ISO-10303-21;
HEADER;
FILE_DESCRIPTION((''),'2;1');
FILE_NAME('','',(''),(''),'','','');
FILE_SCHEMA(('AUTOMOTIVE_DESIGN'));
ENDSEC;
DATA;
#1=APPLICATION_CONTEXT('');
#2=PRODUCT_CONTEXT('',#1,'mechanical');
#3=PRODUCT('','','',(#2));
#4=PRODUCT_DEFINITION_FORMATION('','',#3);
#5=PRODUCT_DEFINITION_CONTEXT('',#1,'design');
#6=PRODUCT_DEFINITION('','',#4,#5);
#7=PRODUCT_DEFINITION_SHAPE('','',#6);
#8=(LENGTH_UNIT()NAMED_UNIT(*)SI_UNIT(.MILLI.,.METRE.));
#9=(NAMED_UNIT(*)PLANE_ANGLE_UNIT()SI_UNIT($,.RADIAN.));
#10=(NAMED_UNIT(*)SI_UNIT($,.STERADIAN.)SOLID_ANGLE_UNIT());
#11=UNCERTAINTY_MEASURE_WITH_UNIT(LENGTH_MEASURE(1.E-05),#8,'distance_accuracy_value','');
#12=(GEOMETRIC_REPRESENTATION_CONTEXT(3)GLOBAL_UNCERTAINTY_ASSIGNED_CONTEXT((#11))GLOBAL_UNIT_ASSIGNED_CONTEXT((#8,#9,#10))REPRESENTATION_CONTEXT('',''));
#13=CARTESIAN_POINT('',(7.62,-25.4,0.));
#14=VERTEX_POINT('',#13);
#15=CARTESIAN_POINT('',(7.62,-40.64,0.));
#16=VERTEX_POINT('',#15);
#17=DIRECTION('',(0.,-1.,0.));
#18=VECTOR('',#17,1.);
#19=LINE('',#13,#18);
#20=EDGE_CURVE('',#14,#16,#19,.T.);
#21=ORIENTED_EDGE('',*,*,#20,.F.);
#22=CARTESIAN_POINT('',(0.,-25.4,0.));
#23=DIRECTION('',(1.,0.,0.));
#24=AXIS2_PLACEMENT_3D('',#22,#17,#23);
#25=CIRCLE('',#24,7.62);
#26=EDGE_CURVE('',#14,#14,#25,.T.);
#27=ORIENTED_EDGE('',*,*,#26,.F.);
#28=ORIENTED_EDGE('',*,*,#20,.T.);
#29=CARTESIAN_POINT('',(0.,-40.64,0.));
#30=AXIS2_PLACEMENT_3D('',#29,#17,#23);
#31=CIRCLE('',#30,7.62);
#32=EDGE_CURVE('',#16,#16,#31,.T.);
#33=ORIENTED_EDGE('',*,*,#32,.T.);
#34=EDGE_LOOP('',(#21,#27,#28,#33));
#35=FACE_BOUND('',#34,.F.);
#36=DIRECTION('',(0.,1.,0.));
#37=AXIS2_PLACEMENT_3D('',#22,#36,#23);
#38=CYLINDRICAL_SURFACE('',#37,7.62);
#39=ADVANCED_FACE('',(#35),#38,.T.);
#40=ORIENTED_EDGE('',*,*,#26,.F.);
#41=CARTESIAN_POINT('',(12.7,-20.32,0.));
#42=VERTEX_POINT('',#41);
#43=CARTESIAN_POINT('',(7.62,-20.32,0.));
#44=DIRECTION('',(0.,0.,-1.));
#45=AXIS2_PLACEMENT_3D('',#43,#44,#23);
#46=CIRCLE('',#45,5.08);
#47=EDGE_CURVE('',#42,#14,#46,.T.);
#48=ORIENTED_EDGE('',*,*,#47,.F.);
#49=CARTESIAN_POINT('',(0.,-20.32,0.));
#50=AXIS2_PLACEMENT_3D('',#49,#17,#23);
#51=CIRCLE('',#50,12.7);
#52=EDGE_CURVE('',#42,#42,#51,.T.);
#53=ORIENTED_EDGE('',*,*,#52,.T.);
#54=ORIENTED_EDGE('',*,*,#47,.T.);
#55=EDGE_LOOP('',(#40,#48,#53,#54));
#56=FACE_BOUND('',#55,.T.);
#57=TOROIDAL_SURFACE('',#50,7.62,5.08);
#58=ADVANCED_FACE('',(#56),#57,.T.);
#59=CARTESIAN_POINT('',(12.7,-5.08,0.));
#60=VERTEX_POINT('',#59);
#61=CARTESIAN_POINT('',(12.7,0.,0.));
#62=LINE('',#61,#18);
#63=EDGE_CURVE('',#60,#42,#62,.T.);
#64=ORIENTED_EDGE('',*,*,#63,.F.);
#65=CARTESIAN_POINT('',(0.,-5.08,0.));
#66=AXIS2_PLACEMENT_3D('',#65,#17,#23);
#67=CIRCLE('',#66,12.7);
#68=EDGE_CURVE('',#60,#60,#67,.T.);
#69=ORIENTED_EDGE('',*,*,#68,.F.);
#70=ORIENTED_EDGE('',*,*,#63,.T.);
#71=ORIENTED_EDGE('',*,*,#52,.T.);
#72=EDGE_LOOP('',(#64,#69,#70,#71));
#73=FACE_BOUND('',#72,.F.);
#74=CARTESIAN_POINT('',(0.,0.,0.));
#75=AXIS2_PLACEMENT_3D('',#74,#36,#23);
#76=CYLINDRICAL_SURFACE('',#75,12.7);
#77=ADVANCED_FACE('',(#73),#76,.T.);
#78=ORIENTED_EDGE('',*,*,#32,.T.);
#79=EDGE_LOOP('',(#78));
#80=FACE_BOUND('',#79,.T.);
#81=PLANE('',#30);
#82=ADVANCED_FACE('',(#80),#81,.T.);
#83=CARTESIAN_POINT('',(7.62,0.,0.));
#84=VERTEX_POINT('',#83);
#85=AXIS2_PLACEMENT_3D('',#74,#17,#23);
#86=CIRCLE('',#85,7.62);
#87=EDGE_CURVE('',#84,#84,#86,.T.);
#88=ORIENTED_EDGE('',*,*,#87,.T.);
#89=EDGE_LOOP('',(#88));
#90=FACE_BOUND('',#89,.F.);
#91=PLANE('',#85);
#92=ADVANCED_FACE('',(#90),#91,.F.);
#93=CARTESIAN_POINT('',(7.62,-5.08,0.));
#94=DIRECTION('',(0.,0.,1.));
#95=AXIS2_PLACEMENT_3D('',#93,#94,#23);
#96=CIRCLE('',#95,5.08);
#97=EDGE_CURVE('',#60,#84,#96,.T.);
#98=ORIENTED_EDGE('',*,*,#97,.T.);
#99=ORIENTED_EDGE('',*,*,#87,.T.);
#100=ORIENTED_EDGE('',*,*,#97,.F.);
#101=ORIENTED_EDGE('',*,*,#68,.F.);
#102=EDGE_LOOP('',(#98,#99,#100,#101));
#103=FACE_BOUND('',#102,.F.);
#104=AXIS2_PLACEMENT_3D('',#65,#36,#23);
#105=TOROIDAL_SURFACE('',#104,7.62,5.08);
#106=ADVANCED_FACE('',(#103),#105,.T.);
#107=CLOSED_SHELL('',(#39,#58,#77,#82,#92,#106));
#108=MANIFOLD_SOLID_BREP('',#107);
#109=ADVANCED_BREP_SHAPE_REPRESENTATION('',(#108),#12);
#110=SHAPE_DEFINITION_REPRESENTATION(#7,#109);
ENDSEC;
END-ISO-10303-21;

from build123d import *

# Parameters (mm, degrees)
F0_R      = 12.7
F1_DEPTH  = 25.4
F2_R      = 5.08
F3_R      = 6.35
F1_FACE_R = 7.62
F4_DEPTH  = 15.24


with BuildPart() as f1:
    # F0 (on Front) → F1 (new body)
    with BuildSketch(Plane.XZ):
        Circle(F0_R)
    extrude(amount=F1_DEPTH)

    # F2
    f2_edges = [f1.edges().sort_by_distance(p)[0] for p in [
        (-12.7, -25.4, 0),
        (-12.7, 0, 0),
    ]]
    fillet(f2_edges, radius=F2_R)

    # F3 (on Front) + F1_face (on face) → F4 (join)
    with BuildSketch(Plane.XZ):
        Circle(F3_R)
    with BuildSketch(Plane.XZ.offset(25.4)):
        Circle(F1_FACE_R)
    extrude(amount=F4_DEPTH)


solid = f1.part
